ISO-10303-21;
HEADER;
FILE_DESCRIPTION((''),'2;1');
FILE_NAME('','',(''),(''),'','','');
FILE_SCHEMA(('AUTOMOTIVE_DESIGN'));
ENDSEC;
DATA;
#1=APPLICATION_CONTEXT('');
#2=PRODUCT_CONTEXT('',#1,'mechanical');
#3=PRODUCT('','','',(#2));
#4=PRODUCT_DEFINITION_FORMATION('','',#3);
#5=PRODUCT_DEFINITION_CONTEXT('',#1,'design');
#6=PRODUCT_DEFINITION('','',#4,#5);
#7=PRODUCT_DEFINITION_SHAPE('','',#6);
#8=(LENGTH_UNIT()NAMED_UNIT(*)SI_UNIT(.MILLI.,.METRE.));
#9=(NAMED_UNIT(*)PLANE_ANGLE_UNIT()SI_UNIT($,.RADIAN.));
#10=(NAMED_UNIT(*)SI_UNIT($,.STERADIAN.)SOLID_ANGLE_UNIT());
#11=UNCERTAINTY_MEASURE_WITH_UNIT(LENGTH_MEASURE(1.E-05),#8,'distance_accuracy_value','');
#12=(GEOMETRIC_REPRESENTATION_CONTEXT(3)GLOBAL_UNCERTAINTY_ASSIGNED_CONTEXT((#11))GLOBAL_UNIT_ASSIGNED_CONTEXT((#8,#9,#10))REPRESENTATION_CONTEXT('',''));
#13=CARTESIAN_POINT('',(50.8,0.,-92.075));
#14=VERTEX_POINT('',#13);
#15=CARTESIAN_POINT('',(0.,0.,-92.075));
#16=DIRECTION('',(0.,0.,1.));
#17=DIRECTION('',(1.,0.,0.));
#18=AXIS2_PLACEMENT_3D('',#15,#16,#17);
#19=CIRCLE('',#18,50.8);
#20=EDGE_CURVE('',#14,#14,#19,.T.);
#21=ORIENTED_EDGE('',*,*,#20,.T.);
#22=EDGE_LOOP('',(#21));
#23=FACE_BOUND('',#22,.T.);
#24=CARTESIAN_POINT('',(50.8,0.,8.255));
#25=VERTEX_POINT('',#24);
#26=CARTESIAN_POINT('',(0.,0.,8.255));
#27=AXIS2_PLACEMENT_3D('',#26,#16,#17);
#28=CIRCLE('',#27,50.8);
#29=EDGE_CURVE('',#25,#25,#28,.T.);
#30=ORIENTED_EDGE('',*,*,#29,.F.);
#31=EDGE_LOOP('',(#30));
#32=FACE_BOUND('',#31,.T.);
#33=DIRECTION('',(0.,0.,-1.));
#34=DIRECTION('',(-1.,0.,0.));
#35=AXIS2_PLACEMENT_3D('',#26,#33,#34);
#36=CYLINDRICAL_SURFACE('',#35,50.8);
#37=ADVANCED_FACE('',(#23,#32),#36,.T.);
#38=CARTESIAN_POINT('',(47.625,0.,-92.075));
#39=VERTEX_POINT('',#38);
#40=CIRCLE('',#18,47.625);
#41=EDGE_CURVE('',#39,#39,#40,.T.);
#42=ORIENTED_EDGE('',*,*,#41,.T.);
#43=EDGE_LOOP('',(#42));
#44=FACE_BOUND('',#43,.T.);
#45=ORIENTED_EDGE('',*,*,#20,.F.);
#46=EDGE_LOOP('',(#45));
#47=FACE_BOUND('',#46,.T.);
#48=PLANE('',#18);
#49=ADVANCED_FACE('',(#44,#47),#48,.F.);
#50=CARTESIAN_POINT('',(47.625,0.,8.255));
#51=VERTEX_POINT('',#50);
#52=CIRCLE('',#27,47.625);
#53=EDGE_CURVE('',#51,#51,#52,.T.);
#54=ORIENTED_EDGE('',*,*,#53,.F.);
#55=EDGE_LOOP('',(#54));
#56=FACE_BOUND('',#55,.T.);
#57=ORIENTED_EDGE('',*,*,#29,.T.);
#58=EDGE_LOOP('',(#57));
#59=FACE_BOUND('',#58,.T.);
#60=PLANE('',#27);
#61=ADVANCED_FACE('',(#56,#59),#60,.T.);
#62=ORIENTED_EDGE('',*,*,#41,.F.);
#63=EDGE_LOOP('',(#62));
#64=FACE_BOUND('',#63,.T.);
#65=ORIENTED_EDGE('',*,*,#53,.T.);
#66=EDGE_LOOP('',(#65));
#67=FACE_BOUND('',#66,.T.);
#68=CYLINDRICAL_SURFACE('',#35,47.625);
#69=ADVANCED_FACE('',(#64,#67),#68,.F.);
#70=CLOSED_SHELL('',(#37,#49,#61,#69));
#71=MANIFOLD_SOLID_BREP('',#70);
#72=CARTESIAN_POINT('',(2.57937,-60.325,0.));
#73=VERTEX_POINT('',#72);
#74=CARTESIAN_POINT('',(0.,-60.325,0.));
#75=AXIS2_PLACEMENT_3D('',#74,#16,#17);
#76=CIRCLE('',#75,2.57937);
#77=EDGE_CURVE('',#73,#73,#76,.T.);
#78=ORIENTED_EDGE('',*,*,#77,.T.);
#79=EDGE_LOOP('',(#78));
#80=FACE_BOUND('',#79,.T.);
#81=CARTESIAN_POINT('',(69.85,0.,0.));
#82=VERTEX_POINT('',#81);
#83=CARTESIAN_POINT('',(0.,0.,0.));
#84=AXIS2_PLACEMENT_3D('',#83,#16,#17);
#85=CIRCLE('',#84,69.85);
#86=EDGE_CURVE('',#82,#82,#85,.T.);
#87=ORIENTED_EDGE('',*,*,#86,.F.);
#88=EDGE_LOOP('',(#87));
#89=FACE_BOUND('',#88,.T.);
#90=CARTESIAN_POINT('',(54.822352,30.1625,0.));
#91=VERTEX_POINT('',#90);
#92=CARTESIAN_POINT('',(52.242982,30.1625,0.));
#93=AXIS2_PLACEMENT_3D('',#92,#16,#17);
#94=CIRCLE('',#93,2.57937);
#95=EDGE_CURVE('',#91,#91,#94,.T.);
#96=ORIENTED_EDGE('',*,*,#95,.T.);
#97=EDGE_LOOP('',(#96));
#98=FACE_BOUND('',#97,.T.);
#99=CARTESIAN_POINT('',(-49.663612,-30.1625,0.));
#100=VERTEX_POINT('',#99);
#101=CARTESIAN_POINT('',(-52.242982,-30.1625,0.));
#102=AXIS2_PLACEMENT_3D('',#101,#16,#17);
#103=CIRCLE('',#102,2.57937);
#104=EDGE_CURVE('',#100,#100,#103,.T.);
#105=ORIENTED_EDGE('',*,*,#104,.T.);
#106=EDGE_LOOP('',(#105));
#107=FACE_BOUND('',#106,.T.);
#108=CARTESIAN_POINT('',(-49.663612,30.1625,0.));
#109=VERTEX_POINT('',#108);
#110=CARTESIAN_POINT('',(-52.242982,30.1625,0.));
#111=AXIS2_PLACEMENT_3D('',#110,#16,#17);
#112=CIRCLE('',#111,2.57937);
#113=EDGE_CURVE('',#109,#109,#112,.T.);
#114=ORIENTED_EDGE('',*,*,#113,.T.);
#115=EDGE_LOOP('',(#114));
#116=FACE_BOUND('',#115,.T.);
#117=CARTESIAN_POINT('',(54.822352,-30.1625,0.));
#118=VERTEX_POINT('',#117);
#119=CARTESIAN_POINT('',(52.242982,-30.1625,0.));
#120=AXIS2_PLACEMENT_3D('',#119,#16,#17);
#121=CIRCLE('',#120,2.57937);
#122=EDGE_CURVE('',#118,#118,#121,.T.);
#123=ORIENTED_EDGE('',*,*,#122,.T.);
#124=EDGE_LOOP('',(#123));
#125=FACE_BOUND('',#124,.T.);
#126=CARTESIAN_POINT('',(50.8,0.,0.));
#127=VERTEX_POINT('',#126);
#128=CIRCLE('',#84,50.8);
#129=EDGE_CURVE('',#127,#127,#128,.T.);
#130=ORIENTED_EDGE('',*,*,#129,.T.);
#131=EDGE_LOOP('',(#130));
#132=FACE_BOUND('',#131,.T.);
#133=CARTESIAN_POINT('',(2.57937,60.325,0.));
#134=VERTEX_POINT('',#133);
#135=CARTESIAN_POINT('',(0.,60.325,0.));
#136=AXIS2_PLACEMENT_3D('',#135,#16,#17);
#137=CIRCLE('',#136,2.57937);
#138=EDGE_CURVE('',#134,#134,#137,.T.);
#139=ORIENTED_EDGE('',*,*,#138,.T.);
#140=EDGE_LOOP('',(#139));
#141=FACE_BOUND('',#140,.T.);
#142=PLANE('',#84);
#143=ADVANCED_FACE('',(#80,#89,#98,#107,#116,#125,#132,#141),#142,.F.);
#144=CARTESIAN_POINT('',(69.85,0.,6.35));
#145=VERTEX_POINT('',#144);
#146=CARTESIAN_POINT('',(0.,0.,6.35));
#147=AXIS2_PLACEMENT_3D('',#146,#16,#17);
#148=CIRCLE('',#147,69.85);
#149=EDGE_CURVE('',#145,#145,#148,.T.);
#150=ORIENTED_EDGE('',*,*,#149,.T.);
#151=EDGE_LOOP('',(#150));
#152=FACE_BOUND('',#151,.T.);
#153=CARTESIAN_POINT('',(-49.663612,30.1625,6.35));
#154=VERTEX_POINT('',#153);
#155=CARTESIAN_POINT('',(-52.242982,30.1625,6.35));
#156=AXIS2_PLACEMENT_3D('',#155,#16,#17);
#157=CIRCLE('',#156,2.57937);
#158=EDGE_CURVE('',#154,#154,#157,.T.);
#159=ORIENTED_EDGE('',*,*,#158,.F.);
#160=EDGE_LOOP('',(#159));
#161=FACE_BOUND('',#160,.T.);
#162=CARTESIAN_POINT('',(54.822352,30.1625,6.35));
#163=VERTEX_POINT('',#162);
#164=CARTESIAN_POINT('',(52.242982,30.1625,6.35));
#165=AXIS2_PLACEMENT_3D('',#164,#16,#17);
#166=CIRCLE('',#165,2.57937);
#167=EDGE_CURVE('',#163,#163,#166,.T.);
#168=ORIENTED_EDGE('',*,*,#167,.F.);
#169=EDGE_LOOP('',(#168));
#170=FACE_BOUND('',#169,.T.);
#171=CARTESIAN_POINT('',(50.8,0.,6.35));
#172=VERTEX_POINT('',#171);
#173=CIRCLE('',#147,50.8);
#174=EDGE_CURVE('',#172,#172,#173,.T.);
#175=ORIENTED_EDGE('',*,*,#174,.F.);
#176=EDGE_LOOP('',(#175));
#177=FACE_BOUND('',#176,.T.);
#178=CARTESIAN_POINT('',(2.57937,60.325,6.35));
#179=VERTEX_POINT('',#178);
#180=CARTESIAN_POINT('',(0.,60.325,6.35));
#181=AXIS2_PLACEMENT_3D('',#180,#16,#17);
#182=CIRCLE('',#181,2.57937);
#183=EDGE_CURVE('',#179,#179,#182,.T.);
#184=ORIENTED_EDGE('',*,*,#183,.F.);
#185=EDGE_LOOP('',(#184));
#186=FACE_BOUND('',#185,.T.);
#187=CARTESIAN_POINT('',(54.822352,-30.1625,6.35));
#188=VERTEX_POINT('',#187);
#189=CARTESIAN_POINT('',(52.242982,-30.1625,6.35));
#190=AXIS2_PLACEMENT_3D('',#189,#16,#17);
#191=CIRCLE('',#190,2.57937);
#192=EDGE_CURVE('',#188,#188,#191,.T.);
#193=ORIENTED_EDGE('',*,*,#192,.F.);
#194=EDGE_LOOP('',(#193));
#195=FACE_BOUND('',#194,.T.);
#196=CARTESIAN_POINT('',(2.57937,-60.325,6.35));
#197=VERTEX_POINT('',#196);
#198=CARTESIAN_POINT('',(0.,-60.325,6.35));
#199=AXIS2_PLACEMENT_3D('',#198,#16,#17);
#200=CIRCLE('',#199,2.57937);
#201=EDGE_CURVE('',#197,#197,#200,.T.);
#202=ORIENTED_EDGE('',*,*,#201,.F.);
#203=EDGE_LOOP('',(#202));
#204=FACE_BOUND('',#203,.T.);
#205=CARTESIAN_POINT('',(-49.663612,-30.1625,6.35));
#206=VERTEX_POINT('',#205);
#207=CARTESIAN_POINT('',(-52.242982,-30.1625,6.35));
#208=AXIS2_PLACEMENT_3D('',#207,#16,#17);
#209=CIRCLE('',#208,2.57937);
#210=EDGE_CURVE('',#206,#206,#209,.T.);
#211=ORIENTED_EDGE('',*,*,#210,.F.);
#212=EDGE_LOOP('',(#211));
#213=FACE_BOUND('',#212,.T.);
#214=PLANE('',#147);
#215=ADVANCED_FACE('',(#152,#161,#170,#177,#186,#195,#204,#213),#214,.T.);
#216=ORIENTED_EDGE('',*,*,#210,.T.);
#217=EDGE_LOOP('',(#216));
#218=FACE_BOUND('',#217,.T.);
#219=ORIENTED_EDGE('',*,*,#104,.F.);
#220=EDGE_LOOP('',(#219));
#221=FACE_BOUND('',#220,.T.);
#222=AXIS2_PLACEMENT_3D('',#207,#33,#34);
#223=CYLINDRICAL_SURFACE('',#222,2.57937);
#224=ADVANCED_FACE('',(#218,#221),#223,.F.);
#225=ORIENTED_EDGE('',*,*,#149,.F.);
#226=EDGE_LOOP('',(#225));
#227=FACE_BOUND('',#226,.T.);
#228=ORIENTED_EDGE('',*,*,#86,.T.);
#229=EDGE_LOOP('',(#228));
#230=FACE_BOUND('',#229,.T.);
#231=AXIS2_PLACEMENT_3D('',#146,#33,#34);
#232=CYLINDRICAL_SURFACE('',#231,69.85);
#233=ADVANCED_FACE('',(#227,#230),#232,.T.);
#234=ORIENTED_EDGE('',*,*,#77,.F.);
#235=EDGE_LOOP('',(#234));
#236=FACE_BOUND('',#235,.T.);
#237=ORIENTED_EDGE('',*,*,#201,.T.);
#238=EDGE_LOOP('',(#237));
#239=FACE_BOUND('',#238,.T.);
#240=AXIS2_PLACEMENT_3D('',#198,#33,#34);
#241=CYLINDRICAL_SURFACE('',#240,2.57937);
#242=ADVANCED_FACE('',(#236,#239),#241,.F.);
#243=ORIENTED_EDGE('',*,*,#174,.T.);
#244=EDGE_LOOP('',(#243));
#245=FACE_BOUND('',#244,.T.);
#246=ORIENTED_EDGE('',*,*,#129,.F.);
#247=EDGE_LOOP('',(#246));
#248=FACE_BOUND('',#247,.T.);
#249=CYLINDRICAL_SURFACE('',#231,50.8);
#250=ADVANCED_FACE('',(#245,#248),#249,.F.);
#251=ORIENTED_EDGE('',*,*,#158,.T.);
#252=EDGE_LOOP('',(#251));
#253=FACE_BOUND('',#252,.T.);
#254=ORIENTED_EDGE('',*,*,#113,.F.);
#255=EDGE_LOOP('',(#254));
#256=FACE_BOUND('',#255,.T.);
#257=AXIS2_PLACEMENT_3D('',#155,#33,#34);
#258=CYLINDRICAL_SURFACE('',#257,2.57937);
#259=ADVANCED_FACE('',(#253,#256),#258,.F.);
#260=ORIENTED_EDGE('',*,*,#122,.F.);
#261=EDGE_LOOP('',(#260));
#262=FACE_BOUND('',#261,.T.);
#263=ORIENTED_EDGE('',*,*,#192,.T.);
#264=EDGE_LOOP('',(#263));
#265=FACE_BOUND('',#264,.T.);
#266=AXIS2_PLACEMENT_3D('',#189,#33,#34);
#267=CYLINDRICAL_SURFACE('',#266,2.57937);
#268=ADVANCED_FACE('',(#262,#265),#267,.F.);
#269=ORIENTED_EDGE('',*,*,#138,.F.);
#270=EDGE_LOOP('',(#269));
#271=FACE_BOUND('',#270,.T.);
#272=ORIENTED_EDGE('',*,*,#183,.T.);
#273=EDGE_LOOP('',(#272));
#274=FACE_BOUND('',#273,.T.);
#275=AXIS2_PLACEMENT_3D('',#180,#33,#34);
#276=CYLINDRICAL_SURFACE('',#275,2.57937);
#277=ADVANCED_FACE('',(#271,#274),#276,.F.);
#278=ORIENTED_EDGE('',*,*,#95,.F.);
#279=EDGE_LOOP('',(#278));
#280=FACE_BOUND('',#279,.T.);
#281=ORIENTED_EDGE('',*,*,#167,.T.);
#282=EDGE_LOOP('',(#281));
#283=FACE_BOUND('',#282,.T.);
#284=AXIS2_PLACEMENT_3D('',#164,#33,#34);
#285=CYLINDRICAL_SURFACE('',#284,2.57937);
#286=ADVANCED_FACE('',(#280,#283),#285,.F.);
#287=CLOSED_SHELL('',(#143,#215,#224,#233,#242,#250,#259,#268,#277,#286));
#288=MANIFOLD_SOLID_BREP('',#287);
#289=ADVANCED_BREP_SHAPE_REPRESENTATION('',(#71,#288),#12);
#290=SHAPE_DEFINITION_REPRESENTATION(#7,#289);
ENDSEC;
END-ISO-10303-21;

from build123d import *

# Parameters (mm, degrees)
SKETCH1_R           = 69.85
SKETCH1_R_2         = 50.8
SKETCH1_R_3         = 2.57937
EXTRUDE1_DEPTH      = 6.35
SKETCH2_R           = 50.8
SKETCH2_R_2         = 47.625
EXTRUDE2_DEPTH      = 8.255
EXTRUDE2_DEPTH_BACK = 92.075


with BuildPart() as part:
    # Sketch1 → Extrude1 (new body)
    with BuildSketch(Plane.XY):
        Circle(SKETCH1_R)
        Circle(SKETCH1_R_2, mode=Mode.SUBTRACT)
        with Locations((0, 60.325)):
            Circle(SKETCH1_R_3, mode=Mode.SUBTRACT)
        with Locations((-52.242982483, 30.1625)):
            Circle(SKETCH1_R_3, mode=Mode.SUBTRACT)
        with Locations((-52.242982483, -30.1625)):
            Circle(SKETCH1_R_3, mode=Mode.SUBTRACT)
        with Locations((0, -60.325)):
            Circle(SKETCH1_R_3, mode=Mode.SUBTRACT)
        with Locations((52.242982483, -30.1625)):
            Circle(SKETCH1_R_3, mode=Mode.SUBTRACT)
        with Locations((52.242982483, 30.1625)):
            Circle(SKETCH1_R_3, mode=Mode.SUBTRACT)
    extrude(amount=EXTRUDE1_DEPTH)


with BuildPart() as body_2:
    # Sketch2 → Extrude2 (new body, two sides)
    with BuildSketch(Plane.XY) as extrude2_sk:
        Circle(SKETCH2_R)
        Circle(SKETCH2_R_2, mode=Mode.SUBTRACT)
    extrude(amount=EXTRUDE2_DEPTH)
    extrude(extrude2_sk.sketch, amount=-EXTRUDE2_DEPTH_BACK)


solid = Compound([part.part, body_2.part])
